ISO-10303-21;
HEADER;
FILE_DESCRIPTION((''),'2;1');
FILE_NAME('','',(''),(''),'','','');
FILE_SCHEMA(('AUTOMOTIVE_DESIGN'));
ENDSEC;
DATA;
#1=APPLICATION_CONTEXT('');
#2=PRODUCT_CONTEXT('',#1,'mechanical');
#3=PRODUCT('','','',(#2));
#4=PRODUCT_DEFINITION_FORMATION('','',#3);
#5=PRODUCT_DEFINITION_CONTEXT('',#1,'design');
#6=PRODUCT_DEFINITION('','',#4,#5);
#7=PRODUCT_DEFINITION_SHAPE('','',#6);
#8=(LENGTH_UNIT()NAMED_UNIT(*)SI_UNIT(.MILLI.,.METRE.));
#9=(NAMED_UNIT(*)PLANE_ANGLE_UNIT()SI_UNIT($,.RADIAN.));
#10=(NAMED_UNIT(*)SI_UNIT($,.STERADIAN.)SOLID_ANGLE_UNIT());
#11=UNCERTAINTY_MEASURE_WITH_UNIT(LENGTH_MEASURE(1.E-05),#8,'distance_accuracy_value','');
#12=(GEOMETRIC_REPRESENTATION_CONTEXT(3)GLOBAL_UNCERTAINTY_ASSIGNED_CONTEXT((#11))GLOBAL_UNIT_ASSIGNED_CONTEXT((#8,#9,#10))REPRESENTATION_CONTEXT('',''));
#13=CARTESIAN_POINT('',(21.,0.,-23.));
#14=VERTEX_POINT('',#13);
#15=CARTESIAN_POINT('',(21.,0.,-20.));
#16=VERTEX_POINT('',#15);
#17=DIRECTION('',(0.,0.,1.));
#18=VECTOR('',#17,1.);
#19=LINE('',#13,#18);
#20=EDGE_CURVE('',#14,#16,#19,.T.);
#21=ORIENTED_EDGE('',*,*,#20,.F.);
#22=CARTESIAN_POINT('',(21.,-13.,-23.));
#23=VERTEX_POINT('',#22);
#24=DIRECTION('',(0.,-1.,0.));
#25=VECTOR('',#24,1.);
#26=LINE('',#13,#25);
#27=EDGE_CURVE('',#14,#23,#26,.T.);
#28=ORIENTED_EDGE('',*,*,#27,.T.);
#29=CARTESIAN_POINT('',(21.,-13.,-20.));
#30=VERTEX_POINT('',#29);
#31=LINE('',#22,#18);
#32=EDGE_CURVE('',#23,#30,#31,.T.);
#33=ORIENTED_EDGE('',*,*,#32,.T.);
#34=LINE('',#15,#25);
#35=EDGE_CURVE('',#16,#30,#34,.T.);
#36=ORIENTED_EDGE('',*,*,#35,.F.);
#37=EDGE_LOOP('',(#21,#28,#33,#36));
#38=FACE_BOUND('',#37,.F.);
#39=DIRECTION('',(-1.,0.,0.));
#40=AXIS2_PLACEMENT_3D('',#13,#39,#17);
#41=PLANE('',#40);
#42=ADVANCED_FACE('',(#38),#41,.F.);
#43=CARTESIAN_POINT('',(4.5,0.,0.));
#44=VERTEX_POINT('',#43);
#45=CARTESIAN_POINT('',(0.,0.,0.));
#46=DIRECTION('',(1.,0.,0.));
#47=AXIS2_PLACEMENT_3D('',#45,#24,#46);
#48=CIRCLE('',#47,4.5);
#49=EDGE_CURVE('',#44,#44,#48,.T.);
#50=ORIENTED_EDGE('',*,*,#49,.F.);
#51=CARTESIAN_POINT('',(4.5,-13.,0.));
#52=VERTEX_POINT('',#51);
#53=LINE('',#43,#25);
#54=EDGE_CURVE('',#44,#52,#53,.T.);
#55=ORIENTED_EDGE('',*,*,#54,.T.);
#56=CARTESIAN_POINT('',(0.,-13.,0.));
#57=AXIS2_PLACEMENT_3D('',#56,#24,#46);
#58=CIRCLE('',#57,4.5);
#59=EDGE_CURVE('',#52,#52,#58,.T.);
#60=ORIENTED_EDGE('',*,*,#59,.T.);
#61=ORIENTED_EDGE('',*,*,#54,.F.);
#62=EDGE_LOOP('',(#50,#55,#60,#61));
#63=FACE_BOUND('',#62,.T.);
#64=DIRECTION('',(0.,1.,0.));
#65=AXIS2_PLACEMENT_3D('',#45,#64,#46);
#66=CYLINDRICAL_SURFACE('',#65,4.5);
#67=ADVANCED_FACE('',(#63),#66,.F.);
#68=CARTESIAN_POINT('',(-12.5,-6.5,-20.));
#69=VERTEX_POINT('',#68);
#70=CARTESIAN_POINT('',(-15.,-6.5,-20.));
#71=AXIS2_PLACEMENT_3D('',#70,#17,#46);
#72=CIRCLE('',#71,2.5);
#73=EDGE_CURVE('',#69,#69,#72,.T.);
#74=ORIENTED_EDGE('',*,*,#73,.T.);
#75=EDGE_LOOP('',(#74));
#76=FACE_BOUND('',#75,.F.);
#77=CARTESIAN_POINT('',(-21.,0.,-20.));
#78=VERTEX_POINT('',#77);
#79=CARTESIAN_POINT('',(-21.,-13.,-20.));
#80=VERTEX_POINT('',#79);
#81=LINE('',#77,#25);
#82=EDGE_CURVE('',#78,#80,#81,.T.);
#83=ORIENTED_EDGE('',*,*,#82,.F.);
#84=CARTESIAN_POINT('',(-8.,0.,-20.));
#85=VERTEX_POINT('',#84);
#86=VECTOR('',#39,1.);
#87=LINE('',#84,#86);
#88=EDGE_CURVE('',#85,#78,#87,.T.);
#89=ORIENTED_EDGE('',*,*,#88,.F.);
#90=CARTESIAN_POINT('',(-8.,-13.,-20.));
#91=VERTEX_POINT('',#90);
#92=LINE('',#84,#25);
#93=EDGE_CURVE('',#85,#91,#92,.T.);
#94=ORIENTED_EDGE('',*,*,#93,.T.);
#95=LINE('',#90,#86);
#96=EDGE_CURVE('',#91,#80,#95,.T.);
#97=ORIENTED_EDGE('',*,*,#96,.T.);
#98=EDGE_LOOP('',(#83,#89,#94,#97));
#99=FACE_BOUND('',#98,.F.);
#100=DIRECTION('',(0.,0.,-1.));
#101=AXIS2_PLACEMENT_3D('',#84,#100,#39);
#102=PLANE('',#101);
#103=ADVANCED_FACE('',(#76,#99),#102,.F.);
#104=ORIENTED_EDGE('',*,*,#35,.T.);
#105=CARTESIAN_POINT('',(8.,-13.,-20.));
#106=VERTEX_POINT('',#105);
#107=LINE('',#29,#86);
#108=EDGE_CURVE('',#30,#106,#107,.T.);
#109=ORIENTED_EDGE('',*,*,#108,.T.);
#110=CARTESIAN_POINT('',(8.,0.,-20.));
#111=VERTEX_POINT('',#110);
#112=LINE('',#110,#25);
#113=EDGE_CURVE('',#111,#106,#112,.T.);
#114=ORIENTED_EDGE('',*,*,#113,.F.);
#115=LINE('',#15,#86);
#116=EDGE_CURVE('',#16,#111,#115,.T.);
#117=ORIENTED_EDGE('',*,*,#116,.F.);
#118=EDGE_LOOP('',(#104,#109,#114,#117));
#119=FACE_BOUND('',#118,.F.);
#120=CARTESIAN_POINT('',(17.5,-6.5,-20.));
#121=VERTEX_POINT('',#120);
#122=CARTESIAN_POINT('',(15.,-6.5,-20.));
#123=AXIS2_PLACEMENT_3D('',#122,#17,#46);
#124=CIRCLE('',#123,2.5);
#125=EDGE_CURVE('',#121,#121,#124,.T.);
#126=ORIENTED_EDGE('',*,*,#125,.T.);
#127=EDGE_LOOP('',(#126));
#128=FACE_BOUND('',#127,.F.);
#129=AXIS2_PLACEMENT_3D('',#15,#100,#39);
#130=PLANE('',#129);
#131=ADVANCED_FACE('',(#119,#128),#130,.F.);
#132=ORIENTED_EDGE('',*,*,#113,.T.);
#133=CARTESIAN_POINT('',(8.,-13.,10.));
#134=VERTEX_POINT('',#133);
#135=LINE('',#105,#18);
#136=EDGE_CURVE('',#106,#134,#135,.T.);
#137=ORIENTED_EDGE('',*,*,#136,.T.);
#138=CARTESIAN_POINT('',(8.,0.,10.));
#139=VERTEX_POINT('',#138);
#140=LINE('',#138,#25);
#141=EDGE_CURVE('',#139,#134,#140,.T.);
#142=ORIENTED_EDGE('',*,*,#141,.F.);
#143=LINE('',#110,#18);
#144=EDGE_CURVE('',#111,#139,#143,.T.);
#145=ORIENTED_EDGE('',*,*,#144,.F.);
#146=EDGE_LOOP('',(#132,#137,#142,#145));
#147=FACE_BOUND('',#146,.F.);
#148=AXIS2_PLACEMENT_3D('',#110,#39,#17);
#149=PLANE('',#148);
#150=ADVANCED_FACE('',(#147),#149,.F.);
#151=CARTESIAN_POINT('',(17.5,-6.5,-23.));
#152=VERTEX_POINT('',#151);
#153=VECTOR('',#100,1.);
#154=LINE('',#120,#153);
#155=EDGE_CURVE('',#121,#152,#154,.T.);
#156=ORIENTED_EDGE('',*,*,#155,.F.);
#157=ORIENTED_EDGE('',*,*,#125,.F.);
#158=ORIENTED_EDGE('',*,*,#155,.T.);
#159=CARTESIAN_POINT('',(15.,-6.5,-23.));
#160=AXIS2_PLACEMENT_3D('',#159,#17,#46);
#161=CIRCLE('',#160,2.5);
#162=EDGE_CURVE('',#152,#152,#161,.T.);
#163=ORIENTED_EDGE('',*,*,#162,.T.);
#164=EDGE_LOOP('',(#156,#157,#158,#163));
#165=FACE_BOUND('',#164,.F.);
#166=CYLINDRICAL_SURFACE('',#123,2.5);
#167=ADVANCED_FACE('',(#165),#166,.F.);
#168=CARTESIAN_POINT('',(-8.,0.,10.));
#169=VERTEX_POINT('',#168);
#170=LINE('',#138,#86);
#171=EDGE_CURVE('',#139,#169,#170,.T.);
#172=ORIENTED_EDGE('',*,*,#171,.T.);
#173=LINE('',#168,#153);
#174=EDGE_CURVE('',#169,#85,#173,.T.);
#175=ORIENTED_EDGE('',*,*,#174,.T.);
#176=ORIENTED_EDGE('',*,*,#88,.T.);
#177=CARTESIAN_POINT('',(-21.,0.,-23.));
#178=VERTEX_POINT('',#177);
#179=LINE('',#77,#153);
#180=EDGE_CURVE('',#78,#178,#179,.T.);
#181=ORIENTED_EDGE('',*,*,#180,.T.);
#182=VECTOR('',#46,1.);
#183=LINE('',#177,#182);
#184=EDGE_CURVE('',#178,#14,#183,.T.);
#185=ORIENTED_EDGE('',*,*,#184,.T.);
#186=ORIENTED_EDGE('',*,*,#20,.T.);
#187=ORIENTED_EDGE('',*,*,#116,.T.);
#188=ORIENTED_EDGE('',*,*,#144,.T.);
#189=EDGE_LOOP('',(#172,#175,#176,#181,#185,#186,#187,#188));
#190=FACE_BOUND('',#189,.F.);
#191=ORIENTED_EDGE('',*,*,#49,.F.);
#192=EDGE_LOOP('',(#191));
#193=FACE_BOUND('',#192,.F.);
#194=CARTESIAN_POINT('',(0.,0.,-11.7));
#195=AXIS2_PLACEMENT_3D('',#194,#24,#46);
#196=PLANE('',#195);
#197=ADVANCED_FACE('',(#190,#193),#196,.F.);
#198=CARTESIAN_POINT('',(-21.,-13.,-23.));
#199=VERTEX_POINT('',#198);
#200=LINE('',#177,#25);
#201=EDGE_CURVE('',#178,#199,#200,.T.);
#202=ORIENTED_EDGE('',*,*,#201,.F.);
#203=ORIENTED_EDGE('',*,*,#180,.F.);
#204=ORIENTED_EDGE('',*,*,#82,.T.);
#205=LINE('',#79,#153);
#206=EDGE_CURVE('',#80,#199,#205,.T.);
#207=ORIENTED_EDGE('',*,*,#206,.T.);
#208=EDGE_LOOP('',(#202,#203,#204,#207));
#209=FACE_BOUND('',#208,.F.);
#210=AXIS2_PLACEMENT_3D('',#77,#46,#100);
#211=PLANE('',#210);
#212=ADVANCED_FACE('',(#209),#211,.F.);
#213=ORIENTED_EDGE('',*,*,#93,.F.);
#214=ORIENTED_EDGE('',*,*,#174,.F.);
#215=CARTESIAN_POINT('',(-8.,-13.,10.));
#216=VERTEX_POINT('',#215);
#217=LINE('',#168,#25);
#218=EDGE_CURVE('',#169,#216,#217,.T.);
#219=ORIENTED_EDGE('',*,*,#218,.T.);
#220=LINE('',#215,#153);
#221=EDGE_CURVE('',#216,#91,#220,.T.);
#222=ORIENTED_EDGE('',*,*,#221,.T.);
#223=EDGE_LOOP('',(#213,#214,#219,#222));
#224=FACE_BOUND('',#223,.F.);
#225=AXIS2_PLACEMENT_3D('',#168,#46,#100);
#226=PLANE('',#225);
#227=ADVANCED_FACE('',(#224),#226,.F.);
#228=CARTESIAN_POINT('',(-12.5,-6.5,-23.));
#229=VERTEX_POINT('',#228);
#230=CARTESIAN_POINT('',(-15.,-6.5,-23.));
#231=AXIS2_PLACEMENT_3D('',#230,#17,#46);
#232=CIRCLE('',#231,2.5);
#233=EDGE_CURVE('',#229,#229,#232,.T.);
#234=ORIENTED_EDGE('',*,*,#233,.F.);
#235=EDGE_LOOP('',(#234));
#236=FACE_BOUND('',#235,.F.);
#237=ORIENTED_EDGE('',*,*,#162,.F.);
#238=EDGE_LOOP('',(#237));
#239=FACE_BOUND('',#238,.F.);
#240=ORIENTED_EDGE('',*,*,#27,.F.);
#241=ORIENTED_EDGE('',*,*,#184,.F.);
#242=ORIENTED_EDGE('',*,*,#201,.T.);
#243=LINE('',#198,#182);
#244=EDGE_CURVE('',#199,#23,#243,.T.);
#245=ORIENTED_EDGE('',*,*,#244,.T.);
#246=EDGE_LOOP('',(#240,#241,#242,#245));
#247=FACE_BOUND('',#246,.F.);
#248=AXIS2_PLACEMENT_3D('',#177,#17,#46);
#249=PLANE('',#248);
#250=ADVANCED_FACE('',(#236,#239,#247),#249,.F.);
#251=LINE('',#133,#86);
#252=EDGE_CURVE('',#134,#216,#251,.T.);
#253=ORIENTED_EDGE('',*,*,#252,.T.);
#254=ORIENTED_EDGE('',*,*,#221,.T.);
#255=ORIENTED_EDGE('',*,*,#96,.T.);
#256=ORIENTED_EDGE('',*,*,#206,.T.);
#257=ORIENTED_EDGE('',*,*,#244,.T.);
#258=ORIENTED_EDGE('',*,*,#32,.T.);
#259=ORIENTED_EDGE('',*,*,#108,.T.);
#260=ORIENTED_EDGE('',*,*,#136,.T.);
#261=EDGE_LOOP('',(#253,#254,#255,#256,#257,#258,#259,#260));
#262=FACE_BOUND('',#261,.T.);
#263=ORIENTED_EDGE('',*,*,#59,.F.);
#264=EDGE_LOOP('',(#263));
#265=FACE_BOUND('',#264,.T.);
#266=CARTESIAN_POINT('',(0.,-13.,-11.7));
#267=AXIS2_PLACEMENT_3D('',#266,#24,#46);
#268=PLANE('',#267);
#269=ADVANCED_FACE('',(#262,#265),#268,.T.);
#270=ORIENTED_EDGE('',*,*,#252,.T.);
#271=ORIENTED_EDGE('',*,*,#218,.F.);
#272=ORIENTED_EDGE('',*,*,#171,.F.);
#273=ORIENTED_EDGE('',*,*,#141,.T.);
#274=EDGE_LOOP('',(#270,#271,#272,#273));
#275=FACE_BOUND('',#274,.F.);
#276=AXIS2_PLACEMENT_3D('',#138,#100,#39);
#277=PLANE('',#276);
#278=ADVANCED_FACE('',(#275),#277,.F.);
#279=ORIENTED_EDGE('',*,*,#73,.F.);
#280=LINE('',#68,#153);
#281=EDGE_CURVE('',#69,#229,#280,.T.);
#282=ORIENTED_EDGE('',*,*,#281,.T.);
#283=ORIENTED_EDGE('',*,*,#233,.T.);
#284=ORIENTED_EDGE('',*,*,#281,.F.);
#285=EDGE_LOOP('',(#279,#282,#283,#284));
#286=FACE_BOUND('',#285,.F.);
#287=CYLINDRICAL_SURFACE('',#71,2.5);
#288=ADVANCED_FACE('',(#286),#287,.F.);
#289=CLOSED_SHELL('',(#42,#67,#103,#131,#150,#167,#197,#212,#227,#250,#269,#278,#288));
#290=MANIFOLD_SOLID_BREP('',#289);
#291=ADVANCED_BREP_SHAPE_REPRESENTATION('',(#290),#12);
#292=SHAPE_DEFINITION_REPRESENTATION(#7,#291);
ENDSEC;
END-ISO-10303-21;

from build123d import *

# Parameters (mm, degrees)
F0_R     = 4.5
F1_DEPTH = 13
F2_R     = 2.5
F3_DEPTH = 25


with BuildPart() as f1:
    # F0 (on Front) → F1 (new body)
    with BuildSketch(Plane.XZ):
        Polygon((8, 10), (-8, 10), (-8, -20), (-21, -20), (-21, -23), (-8, -23), (8, -23), (21, -23), (21, -20), (8, -20), align=None)
        Circle(F0_R, mode=Mode.SUBTRACT)
    extrude(amount=F1_DEPTH)

    # F2 (on face) → F3 (cut)
    with BuildSketch(Plane.XY.offset(-20)):
        with Locations((15, -6.5)):
            Circle(F2_R)
        with Locations((-15, -6.5)):
            Circle(F2_R)
    extrude(amount=-F3_DEPTH, mode=Mode.SUBTRACT)


solid = f1.part
